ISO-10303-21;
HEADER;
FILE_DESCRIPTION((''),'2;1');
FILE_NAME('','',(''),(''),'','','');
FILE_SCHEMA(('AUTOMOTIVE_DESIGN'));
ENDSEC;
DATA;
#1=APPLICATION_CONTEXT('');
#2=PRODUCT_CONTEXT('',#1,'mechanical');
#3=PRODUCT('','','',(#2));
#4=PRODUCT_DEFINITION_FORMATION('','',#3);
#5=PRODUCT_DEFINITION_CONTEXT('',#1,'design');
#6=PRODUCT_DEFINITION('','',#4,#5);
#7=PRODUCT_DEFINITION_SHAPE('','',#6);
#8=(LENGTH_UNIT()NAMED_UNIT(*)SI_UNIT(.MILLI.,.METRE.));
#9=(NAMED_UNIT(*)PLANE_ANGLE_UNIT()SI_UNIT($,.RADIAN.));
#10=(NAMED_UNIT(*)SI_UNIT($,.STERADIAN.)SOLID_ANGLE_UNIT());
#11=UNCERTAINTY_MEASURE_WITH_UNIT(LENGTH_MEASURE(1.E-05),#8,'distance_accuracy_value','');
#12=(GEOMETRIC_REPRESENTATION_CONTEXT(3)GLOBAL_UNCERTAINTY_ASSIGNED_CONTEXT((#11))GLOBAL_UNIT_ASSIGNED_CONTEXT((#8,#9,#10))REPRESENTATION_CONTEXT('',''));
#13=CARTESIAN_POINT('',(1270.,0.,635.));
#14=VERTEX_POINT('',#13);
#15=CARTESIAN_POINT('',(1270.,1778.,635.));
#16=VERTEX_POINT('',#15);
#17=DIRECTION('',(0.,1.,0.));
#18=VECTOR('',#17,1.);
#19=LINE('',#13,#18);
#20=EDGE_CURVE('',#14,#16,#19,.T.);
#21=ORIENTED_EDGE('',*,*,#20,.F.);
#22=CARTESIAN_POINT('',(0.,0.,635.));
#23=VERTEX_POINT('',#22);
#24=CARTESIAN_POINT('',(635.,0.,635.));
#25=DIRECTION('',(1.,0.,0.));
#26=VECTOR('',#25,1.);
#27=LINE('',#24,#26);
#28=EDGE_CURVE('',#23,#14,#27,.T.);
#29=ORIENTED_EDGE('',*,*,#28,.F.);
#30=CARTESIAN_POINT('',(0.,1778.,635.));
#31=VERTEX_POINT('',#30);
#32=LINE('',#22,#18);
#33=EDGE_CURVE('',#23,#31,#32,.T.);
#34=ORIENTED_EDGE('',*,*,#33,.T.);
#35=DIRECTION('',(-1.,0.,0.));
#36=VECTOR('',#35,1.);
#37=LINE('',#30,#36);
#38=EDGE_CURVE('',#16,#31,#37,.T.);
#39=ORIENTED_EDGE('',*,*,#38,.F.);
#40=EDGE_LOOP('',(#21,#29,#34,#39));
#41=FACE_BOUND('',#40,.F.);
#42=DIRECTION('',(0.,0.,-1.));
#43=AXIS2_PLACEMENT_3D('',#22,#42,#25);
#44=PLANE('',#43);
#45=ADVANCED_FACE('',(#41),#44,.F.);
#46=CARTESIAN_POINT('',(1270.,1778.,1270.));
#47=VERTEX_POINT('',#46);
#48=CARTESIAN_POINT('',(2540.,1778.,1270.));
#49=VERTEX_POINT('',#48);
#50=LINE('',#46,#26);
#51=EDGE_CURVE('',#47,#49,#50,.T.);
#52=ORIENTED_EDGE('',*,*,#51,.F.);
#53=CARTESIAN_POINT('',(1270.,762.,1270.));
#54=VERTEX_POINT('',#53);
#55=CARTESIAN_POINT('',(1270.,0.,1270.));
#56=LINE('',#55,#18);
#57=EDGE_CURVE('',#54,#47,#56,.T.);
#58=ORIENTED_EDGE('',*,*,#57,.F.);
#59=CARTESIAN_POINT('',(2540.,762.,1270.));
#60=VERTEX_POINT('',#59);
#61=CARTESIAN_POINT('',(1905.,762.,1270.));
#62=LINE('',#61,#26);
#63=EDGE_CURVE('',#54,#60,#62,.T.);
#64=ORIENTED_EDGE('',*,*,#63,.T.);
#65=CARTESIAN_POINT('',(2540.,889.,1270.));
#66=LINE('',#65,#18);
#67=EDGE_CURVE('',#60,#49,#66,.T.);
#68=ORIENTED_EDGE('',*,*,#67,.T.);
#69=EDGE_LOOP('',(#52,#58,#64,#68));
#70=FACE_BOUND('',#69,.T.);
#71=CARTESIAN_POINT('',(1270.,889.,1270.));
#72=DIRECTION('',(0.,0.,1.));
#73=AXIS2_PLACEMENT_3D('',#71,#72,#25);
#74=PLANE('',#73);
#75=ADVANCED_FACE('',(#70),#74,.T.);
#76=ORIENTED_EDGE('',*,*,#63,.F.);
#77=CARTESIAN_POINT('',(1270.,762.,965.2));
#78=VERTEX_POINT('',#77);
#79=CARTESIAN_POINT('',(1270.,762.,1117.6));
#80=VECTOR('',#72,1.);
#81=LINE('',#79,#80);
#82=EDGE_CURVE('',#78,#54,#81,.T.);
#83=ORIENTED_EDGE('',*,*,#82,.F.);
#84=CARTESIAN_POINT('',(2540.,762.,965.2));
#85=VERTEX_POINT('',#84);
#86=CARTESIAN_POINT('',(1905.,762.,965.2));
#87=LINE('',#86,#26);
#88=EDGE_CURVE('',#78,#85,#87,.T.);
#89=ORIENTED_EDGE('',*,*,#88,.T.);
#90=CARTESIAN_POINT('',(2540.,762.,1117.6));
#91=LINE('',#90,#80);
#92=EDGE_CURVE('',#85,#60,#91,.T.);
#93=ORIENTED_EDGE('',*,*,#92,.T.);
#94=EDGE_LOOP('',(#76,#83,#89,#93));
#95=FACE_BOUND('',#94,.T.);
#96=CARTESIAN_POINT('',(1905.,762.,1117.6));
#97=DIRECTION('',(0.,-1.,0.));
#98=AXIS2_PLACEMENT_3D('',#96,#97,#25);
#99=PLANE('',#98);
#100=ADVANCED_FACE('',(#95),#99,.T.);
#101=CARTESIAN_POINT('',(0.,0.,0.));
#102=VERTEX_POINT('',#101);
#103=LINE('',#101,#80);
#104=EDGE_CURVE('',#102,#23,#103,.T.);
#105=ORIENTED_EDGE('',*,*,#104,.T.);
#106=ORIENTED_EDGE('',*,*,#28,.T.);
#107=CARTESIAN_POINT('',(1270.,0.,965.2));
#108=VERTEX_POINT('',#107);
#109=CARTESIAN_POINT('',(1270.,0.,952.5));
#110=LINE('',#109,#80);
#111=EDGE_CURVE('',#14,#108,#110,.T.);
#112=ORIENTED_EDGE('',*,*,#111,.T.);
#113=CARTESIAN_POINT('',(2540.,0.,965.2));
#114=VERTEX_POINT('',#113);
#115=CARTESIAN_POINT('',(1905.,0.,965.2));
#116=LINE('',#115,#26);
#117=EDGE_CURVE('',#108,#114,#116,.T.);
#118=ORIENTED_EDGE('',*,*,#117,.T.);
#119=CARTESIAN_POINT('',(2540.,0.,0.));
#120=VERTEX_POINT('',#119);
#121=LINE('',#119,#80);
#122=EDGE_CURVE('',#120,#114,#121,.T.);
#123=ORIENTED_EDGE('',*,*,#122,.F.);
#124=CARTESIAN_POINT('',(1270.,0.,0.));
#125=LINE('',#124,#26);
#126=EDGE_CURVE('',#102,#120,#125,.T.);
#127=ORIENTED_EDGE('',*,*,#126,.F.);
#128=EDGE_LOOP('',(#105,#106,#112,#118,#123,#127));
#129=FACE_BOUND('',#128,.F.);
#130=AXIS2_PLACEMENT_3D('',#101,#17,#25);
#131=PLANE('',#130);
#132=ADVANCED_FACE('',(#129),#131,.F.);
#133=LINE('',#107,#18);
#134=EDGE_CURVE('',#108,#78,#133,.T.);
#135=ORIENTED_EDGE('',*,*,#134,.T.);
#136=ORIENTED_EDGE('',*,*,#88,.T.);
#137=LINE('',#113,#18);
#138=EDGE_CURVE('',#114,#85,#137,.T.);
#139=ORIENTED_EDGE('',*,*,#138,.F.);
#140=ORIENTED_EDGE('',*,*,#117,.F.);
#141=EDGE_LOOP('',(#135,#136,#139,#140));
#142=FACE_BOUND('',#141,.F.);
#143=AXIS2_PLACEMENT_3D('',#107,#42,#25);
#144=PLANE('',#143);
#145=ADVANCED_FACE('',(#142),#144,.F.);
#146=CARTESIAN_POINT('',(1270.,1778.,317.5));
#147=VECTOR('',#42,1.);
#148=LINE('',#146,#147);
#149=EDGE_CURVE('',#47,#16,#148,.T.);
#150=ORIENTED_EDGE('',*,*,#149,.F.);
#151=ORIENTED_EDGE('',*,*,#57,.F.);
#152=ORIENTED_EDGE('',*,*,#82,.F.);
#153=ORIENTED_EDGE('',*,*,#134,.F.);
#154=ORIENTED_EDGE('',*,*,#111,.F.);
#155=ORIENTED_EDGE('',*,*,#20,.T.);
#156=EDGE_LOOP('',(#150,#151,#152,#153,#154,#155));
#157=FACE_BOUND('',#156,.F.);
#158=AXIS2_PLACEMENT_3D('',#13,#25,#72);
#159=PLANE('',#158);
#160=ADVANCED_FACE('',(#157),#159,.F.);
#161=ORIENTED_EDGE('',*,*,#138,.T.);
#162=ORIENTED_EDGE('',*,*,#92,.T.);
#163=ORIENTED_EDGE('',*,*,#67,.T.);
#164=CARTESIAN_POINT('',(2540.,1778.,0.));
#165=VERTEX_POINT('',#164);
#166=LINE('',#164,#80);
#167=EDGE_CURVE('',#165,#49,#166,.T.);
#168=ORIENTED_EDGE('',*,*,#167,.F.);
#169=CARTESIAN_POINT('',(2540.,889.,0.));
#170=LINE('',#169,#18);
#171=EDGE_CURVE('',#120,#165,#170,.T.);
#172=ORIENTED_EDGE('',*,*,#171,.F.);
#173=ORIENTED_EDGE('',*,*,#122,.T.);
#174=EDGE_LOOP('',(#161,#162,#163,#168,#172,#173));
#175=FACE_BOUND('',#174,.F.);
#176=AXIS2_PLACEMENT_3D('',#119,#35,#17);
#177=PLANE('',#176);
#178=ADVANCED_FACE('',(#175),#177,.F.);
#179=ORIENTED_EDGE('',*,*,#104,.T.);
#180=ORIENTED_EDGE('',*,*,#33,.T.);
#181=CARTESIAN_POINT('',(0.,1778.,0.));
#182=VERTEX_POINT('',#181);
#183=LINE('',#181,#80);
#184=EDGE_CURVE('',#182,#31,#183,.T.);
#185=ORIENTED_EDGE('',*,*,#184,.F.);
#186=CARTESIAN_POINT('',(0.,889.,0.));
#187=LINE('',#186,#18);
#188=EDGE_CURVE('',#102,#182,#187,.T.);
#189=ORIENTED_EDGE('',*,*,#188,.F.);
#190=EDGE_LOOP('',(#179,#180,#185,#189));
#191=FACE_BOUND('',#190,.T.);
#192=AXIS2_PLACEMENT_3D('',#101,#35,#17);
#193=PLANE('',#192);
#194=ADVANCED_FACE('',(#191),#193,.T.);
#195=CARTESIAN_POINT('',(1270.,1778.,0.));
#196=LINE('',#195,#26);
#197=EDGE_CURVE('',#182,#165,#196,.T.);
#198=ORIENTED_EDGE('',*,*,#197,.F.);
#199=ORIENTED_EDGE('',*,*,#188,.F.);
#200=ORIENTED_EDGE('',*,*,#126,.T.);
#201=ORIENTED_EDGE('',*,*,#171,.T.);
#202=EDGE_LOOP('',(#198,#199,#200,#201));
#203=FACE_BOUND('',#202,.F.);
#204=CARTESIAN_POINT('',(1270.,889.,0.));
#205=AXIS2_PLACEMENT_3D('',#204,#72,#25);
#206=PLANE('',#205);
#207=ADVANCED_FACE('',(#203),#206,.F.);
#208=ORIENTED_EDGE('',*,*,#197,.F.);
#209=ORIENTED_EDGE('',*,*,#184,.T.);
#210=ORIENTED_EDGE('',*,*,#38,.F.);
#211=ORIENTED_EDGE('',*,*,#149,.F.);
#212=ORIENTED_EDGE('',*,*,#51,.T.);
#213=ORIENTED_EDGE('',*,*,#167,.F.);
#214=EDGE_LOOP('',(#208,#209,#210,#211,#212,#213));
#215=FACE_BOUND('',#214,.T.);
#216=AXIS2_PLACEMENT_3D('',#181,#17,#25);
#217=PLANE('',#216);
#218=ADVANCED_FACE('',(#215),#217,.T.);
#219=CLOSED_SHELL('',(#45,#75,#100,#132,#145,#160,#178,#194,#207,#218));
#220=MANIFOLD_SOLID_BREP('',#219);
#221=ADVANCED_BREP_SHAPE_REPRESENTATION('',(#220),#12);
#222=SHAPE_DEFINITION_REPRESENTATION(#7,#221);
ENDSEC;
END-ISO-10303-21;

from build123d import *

# Parameters (mm, degrees)
F0_W     = 2540
F0_H     = 1778
F1_DEPTH = 1270
F2_W     = 1270
F2_H     = 635
F3_DEPTH = 1778.001
F4_W     = 1270
F4_H     = 304.8
F5_DEPTH = 762


with BuildPart() as f1:
    # F0 (on Top) → F1 (new body)
    with BuildSketch(Plane.XY):
        with Locations((1270, 889)):
            Rectangle(F0_W, F0_H)
    extrude(amount=F1_DEPTH)

    # F2 (on face) → F3 (cut, through all)
    with BuildSketch(Plane.XZ):
        with Locations((635, 952.5)):
            Rectangle(F2_W, F2_H)
    extrude(amount=-F3_DEPTH, mode=Mode.SUBTRACT)

    # F4 (on face) → F5 (cut)
    with BuildSketch(Plane.XZ):
        with Locations((1905, 1117.6)):
            Rectangle(F4_W, F4_H)
    extrude(amount=-F5_DEPTH, mode=Mode.SUBTRACT)


solid = f1.part
